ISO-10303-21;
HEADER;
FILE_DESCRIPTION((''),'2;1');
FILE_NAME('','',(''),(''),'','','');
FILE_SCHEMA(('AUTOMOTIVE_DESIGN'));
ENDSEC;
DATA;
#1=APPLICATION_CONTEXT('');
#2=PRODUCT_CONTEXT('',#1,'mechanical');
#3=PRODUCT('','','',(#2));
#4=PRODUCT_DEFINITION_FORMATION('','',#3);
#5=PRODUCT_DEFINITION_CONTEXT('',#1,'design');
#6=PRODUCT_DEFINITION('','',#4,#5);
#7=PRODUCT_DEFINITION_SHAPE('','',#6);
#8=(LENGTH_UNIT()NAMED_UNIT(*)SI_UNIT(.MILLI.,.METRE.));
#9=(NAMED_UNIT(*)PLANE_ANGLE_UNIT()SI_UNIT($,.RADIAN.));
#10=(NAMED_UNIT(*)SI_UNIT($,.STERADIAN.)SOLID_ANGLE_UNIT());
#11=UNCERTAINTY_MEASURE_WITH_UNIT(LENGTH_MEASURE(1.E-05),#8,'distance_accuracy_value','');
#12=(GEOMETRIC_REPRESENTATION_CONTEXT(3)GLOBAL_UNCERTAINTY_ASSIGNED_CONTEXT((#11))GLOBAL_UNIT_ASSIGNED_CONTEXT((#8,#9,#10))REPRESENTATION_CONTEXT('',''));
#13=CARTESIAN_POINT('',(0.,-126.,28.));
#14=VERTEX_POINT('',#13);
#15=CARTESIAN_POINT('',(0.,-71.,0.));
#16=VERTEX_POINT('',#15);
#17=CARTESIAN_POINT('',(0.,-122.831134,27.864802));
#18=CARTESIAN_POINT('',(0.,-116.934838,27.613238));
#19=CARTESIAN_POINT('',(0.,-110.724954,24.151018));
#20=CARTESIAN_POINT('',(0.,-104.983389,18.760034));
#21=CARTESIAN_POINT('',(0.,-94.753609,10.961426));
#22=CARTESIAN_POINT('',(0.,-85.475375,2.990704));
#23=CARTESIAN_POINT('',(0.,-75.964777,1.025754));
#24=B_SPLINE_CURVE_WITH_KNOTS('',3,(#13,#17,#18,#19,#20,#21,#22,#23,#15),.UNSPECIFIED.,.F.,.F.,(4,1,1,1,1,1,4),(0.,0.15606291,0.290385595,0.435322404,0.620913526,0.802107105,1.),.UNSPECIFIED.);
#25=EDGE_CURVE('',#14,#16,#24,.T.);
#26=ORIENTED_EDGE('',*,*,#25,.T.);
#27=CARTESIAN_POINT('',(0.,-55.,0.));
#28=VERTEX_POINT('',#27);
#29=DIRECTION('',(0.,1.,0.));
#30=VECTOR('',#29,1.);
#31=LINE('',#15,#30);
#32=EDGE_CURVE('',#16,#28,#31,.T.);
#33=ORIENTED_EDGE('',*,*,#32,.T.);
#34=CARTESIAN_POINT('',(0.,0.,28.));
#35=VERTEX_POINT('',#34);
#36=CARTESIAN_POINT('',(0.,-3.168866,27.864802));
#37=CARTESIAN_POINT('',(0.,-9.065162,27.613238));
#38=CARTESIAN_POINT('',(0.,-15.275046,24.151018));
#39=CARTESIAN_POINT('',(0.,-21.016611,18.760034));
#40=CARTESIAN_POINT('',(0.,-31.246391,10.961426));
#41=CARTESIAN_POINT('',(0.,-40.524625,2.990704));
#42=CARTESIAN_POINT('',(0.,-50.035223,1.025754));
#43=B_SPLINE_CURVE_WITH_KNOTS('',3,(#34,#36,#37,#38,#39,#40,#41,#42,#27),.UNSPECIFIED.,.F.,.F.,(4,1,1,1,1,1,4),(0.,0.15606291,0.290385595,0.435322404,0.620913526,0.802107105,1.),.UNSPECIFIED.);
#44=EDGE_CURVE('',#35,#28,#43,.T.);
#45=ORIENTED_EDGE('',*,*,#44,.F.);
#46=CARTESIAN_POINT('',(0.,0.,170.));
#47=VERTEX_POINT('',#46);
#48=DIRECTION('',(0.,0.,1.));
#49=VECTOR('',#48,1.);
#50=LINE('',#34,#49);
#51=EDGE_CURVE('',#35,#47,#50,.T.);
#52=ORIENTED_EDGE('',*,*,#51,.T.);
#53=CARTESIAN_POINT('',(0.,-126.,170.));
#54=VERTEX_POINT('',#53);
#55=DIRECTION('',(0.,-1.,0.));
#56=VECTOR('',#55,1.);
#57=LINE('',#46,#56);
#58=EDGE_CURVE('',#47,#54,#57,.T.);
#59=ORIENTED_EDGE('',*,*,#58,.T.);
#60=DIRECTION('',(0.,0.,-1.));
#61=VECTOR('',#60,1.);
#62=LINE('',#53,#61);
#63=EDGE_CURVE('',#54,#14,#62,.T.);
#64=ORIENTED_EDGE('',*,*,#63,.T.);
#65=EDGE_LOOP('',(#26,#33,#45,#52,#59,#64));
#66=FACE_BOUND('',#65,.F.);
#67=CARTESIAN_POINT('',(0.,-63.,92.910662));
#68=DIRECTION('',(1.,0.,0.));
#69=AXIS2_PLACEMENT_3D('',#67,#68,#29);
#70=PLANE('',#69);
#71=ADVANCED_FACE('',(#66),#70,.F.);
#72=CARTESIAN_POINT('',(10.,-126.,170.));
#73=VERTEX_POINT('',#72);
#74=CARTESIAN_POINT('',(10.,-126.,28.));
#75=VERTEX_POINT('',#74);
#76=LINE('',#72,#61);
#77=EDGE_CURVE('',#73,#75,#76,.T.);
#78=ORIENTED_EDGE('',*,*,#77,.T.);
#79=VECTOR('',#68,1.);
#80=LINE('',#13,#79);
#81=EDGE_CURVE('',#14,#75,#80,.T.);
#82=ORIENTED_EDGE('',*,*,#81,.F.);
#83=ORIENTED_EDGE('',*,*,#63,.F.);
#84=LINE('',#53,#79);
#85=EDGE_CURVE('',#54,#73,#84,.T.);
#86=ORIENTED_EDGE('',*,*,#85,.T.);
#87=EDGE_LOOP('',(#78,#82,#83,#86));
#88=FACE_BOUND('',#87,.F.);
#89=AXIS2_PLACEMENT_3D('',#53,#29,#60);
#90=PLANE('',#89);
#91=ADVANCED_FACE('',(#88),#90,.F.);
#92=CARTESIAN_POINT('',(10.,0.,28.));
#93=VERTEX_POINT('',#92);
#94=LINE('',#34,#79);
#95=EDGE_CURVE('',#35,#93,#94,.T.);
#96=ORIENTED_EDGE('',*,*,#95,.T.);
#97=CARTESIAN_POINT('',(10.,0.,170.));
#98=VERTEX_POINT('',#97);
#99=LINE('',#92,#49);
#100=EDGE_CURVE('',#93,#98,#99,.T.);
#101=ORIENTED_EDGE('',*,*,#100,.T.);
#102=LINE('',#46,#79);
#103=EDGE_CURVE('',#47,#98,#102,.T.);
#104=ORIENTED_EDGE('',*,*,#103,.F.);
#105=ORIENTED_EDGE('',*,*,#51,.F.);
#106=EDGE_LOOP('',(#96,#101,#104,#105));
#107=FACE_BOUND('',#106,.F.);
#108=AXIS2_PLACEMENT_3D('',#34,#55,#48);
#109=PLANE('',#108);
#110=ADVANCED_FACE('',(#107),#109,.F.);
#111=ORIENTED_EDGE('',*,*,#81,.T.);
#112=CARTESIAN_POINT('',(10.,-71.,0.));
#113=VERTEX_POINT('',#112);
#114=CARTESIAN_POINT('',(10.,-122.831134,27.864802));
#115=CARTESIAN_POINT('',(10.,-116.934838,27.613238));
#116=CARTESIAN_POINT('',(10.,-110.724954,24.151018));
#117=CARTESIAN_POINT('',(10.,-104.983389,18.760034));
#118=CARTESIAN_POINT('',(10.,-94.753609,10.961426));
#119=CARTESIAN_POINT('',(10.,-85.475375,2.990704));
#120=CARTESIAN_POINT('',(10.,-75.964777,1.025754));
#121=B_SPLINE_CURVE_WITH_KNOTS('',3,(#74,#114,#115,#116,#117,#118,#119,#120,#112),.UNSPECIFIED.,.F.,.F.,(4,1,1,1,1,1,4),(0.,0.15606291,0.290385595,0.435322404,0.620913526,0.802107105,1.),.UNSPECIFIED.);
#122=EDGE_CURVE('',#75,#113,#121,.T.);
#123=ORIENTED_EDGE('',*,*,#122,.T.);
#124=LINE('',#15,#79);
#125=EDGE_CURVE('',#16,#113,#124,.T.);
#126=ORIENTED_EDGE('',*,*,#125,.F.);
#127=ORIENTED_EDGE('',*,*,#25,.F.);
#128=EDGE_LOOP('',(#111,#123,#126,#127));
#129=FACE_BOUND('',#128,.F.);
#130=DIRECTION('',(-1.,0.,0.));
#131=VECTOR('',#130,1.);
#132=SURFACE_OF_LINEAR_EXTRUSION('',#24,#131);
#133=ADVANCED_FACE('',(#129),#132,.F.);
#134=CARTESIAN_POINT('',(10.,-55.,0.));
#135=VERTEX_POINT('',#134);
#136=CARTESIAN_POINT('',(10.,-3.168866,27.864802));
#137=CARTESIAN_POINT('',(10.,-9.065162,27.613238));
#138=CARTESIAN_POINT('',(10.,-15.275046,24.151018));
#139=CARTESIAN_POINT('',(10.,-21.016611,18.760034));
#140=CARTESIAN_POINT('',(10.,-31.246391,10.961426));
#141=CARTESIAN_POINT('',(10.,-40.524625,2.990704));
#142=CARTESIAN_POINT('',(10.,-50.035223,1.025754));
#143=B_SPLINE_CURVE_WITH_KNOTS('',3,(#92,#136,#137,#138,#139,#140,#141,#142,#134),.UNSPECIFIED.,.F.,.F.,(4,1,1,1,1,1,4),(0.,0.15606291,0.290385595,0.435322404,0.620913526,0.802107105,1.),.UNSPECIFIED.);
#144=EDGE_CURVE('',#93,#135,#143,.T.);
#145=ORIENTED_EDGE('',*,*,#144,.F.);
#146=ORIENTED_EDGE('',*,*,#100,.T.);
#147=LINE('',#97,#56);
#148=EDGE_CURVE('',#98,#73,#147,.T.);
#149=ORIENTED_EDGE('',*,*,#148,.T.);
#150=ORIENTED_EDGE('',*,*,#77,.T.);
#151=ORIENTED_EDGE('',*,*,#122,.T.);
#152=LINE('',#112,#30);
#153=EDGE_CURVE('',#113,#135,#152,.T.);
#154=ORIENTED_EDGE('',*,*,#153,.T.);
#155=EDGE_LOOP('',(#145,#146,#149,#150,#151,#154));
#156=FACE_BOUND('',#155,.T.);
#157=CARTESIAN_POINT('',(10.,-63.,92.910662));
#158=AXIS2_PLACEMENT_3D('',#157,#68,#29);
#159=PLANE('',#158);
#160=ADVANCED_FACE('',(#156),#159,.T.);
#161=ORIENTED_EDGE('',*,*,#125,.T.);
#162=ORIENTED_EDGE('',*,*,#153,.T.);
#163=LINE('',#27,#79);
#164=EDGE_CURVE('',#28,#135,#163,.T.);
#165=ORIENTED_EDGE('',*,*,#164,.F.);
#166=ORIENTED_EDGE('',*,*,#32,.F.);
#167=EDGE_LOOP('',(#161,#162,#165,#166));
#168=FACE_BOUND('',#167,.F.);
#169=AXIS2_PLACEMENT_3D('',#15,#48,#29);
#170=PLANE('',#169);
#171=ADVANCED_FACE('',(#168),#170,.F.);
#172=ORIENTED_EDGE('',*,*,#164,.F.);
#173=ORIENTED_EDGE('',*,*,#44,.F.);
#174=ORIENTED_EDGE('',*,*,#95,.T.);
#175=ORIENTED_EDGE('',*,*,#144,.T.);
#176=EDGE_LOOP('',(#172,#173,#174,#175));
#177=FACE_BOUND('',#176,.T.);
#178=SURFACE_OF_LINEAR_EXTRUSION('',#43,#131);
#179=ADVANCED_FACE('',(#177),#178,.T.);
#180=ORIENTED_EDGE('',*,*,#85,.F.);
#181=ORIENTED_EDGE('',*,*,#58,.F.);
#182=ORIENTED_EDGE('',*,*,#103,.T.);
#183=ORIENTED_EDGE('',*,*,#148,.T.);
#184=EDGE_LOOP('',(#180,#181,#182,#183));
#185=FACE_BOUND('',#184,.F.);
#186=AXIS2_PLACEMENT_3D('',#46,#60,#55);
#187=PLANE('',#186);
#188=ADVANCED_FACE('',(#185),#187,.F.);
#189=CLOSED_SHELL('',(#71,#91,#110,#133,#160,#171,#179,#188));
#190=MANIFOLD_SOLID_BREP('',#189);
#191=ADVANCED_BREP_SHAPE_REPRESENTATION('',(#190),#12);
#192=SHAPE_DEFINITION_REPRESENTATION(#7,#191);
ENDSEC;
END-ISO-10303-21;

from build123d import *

# Parameters (mm, degrees)
F1_DEPTH = 10


with BuildPart() as f1:
    # F0 (on Right) → F1 (new body)
    with BuildSketch(Plane.YZ):
        with BuildLine():
            Line((-71, 0), (-55, 0))
            add(Edge.make_bspline(
                [(0, 28), (-3.1688660139, 27.8648015698), (-9.0651615813, 27.6132384234), (-15.2750462094, 24.1510177159), (-21.0166109873, 18.7600341695), (-31.2463911728, 10.9614263997), (-40.5246248952, 2.990704024), (-50.0352230272, 1.0257543147), (-55, 0)],
                knots=[0, 0, 0, 0, 0.1560629096, 0.2903855947, 0.4353224036, 0.6209135261, 0.8021071051, 1, 1, 1, 1], degree=3))
            Line((0, 28), (0, 170))
            Line((0, 170), (-126, 170))
            Line((-126, 170), (-126, 28))
            add(Edge.make_bspline(
                [(-126, 28), (-122.8311339861, 27.8648015698), (-116.9348384187, 27.6132384234), (-110.7249537906, 24.1510177159), (-104.9833890127, 18.7600341695), (-94.7536088272, 10.9614263997), (-85.4753751048, 2.990704024), (-75.9647769728, 1.0257543147), (-71, 0)],
                knots=[0, 0, 0, 0, 0.1560629096, 0.2903855947, 0.4353224036, 0.6209135261, 0.8021071051, 1, 1, 1, 1], degree=3))
        make_face()
    extrude(amount=F1_DEPTH)


solid = f1.part
